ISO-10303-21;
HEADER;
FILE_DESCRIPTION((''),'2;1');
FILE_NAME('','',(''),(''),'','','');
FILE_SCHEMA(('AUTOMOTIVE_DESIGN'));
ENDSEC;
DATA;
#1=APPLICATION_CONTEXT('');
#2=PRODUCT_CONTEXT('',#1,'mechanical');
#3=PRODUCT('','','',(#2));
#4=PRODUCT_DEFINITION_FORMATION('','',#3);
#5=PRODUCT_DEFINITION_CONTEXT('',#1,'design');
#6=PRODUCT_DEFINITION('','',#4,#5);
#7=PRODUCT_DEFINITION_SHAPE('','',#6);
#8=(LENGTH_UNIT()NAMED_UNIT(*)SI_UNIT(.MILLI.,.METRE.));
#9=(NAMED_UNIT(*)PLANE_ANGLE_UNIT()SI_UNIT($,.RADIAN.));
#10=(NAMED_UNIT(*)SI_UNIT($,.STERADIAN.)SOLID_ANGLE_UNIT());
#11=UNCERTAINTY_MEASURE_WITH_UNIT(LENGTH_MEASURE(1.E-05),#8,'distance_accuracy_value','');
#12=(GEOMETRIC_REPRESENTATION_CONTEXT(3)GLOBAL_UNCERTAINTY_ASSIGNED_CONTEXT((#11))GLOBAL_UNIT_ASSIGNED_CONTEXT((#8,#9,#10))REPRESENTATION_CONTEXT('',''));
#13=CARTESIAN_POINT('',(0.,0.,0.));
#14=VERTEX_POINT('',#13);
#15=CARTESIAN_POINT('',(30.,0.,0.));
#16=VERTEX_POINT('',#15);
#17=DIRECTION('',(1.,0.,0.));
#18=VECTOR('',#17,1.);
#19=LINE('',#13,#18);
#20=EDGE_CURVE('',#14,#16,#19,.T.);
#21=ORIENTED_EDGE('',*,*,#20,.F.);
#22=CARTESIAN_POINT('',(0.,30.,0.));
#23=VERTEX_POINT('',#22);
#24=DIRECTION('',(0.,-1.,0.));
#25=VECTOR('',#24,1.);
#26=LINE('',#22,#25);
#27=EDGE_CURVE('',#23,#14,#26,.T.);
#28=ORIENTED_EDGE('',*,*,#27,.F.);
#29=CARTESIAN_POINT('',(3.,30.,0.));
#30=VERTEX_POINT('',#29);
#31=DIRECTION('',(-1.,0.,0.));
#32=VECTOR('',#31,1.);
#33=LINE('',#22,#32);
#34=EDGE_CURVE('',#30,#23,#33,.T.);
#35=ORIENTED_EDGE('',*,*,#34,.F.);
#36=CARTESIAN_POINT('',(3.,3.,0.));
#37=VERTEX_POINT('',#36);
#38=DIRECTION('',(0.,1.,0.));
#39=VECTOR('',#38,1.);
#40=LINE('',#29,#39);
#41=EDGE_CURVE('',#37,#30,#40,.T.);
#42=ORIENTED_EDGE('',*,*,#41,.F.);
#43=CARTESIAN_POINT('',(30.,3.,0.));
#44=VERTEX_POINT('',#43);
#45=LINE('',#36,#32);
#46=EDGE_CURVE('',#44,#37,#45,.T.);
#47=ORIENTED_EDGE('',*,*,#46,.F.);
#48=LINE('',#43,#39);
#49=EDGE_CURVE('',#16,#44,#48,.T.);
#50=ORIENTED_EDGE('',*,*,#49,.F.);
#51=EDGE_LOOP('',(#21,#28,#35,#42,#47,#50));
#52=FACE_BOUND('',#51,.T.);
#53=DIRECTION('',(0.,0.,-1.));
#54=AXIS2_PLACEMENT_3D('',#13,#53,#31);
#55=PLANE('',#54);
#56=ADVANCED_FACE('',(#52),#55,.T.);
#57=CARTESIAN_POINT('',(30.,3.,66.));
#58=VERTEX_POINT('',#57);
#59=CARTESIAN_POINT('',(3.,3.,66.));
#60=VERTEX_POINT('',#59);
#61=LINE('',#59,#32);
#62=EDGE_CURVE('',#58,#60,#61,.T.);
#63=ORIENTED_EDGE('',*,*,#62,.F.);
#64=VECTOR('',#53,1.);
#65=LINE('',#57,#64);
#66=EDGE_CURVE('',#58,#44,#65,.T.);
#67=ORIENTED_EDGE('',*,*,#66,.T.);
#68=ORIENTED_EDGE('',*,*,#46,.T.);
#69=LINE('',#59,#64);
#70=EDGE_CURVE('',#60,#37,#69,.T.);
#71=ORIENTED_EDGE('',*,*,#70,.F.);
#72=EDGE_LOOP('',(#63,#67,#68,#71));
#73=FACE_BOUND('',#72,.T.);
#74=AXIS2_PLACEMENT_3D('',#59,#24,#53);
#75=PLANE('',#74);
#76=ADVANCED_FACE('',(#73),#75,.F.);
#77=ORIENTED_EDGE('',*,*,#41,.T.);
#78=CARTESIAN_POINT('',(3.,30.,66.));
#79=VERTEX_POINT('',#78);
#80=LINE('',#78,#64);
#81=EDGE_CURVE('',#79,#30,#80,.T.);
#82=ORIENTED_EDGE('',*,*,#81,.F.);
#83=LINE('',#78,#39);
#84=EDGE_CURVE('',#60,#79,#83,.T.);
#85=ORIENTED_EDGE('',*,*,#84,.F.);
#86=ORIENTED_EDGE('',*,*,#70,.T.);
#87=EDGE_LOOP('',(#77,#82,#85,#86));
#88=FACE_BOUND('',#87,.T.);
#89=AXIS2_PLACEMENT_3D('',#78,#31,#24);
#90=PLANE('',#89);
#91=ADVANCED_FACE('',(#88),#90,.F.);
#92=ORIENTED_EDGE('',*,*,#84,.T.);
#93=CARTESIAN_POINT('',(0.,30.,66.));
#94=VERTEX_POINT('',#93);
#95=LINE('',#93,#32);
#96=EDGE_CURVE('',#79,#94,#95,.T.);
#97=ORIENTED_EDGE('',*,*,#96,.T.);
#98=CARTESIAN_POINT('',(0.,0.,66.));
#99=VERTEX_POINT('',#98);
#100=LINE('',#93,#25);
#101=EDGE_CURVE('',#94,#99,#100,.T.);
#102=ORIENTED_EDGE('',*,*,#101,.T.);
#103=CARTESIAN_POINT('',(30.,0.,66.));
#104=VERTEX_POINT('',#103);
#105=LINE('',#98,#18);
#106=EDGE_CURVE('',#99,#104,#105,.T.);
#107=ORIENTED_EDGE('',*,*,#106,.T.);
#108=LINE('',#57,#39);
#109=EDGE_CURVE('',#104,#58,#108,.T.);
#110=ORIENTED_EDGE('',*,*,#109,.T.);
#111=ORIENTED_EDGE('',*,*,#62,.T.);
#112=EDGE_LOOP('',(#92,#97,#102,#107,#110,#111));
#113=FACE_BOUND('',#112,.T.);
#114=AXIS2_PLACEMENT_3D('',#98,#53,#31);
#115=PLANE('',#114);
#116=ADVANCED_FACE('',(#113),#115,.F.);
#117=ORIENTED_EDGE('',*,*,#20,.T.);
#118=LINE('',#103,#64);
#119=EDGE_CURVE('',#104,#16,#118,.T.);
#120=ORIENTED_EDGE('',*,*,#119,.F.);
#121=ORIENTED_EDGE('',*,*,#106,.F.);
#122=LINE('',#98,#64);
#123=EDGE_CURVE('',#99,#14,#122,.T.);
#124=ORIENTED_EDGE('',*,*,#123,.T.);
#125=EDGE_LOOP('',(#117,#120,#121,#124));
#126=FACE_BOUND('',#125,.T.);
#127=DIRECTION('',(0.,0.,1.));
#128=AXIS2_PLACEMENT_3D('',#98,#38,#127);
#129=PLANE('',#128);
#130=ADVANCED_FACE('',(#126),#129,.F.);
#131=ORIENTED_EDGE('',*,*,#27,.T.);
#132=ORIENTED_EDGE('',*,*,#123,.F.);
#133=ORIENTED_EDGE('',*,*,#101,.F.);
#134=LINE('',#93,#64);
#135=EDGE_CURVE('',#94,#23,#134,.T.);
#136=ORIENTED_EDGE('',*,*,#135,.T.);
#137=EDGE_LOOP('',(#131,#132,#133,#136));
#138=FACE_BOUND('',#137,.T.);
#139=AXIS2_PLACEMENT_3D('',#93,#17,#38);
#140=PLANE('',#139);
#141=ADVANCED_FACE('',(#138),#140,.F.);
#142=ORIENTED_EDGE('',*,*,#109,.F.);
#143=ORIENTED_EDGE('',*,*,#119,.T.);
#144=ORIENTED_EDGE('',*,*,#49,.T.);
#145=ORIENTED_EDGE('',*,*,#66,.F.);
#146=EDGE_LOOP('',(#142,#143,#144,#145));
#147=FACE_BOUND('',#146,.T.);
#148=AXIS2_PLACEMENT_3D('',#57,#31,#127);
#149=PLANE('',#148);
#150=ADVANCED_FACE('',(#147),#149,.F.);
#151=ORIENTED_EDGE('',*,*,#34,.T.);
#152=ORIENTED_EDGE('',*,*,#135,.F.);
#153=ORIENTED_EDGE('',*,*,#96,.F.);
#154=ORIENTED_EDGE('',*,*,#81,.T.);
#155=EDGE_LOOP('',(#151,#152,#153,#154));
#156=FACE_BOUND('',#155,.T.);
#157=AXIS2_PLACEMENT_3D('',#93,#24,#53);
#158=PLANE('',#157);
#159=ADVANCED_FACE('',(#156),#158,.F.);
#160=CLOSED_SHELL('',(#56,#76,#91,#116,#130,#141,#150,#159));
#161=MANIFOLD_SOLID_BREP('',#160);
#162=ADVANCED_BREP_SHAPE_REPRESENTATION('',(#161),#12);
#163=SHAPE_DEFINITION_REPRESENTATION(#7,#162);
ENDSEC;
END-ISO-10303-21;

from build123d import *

# Parameters (mm, degrees)
EXTRUDE_1_DEPTH = 66


with BuildPart() as part:
    # Эскиз1 → Бобышка-Вытянуть1 (new body)
    with BuildSketch(Plane.XY):
        Polygon((0, 30), (0, 0), (30, 0), (30, 3), (3, 3), (3, 30), align=None)
    extrude(amount=EXTRUDE_1_DEPTH)


solid = part.part
